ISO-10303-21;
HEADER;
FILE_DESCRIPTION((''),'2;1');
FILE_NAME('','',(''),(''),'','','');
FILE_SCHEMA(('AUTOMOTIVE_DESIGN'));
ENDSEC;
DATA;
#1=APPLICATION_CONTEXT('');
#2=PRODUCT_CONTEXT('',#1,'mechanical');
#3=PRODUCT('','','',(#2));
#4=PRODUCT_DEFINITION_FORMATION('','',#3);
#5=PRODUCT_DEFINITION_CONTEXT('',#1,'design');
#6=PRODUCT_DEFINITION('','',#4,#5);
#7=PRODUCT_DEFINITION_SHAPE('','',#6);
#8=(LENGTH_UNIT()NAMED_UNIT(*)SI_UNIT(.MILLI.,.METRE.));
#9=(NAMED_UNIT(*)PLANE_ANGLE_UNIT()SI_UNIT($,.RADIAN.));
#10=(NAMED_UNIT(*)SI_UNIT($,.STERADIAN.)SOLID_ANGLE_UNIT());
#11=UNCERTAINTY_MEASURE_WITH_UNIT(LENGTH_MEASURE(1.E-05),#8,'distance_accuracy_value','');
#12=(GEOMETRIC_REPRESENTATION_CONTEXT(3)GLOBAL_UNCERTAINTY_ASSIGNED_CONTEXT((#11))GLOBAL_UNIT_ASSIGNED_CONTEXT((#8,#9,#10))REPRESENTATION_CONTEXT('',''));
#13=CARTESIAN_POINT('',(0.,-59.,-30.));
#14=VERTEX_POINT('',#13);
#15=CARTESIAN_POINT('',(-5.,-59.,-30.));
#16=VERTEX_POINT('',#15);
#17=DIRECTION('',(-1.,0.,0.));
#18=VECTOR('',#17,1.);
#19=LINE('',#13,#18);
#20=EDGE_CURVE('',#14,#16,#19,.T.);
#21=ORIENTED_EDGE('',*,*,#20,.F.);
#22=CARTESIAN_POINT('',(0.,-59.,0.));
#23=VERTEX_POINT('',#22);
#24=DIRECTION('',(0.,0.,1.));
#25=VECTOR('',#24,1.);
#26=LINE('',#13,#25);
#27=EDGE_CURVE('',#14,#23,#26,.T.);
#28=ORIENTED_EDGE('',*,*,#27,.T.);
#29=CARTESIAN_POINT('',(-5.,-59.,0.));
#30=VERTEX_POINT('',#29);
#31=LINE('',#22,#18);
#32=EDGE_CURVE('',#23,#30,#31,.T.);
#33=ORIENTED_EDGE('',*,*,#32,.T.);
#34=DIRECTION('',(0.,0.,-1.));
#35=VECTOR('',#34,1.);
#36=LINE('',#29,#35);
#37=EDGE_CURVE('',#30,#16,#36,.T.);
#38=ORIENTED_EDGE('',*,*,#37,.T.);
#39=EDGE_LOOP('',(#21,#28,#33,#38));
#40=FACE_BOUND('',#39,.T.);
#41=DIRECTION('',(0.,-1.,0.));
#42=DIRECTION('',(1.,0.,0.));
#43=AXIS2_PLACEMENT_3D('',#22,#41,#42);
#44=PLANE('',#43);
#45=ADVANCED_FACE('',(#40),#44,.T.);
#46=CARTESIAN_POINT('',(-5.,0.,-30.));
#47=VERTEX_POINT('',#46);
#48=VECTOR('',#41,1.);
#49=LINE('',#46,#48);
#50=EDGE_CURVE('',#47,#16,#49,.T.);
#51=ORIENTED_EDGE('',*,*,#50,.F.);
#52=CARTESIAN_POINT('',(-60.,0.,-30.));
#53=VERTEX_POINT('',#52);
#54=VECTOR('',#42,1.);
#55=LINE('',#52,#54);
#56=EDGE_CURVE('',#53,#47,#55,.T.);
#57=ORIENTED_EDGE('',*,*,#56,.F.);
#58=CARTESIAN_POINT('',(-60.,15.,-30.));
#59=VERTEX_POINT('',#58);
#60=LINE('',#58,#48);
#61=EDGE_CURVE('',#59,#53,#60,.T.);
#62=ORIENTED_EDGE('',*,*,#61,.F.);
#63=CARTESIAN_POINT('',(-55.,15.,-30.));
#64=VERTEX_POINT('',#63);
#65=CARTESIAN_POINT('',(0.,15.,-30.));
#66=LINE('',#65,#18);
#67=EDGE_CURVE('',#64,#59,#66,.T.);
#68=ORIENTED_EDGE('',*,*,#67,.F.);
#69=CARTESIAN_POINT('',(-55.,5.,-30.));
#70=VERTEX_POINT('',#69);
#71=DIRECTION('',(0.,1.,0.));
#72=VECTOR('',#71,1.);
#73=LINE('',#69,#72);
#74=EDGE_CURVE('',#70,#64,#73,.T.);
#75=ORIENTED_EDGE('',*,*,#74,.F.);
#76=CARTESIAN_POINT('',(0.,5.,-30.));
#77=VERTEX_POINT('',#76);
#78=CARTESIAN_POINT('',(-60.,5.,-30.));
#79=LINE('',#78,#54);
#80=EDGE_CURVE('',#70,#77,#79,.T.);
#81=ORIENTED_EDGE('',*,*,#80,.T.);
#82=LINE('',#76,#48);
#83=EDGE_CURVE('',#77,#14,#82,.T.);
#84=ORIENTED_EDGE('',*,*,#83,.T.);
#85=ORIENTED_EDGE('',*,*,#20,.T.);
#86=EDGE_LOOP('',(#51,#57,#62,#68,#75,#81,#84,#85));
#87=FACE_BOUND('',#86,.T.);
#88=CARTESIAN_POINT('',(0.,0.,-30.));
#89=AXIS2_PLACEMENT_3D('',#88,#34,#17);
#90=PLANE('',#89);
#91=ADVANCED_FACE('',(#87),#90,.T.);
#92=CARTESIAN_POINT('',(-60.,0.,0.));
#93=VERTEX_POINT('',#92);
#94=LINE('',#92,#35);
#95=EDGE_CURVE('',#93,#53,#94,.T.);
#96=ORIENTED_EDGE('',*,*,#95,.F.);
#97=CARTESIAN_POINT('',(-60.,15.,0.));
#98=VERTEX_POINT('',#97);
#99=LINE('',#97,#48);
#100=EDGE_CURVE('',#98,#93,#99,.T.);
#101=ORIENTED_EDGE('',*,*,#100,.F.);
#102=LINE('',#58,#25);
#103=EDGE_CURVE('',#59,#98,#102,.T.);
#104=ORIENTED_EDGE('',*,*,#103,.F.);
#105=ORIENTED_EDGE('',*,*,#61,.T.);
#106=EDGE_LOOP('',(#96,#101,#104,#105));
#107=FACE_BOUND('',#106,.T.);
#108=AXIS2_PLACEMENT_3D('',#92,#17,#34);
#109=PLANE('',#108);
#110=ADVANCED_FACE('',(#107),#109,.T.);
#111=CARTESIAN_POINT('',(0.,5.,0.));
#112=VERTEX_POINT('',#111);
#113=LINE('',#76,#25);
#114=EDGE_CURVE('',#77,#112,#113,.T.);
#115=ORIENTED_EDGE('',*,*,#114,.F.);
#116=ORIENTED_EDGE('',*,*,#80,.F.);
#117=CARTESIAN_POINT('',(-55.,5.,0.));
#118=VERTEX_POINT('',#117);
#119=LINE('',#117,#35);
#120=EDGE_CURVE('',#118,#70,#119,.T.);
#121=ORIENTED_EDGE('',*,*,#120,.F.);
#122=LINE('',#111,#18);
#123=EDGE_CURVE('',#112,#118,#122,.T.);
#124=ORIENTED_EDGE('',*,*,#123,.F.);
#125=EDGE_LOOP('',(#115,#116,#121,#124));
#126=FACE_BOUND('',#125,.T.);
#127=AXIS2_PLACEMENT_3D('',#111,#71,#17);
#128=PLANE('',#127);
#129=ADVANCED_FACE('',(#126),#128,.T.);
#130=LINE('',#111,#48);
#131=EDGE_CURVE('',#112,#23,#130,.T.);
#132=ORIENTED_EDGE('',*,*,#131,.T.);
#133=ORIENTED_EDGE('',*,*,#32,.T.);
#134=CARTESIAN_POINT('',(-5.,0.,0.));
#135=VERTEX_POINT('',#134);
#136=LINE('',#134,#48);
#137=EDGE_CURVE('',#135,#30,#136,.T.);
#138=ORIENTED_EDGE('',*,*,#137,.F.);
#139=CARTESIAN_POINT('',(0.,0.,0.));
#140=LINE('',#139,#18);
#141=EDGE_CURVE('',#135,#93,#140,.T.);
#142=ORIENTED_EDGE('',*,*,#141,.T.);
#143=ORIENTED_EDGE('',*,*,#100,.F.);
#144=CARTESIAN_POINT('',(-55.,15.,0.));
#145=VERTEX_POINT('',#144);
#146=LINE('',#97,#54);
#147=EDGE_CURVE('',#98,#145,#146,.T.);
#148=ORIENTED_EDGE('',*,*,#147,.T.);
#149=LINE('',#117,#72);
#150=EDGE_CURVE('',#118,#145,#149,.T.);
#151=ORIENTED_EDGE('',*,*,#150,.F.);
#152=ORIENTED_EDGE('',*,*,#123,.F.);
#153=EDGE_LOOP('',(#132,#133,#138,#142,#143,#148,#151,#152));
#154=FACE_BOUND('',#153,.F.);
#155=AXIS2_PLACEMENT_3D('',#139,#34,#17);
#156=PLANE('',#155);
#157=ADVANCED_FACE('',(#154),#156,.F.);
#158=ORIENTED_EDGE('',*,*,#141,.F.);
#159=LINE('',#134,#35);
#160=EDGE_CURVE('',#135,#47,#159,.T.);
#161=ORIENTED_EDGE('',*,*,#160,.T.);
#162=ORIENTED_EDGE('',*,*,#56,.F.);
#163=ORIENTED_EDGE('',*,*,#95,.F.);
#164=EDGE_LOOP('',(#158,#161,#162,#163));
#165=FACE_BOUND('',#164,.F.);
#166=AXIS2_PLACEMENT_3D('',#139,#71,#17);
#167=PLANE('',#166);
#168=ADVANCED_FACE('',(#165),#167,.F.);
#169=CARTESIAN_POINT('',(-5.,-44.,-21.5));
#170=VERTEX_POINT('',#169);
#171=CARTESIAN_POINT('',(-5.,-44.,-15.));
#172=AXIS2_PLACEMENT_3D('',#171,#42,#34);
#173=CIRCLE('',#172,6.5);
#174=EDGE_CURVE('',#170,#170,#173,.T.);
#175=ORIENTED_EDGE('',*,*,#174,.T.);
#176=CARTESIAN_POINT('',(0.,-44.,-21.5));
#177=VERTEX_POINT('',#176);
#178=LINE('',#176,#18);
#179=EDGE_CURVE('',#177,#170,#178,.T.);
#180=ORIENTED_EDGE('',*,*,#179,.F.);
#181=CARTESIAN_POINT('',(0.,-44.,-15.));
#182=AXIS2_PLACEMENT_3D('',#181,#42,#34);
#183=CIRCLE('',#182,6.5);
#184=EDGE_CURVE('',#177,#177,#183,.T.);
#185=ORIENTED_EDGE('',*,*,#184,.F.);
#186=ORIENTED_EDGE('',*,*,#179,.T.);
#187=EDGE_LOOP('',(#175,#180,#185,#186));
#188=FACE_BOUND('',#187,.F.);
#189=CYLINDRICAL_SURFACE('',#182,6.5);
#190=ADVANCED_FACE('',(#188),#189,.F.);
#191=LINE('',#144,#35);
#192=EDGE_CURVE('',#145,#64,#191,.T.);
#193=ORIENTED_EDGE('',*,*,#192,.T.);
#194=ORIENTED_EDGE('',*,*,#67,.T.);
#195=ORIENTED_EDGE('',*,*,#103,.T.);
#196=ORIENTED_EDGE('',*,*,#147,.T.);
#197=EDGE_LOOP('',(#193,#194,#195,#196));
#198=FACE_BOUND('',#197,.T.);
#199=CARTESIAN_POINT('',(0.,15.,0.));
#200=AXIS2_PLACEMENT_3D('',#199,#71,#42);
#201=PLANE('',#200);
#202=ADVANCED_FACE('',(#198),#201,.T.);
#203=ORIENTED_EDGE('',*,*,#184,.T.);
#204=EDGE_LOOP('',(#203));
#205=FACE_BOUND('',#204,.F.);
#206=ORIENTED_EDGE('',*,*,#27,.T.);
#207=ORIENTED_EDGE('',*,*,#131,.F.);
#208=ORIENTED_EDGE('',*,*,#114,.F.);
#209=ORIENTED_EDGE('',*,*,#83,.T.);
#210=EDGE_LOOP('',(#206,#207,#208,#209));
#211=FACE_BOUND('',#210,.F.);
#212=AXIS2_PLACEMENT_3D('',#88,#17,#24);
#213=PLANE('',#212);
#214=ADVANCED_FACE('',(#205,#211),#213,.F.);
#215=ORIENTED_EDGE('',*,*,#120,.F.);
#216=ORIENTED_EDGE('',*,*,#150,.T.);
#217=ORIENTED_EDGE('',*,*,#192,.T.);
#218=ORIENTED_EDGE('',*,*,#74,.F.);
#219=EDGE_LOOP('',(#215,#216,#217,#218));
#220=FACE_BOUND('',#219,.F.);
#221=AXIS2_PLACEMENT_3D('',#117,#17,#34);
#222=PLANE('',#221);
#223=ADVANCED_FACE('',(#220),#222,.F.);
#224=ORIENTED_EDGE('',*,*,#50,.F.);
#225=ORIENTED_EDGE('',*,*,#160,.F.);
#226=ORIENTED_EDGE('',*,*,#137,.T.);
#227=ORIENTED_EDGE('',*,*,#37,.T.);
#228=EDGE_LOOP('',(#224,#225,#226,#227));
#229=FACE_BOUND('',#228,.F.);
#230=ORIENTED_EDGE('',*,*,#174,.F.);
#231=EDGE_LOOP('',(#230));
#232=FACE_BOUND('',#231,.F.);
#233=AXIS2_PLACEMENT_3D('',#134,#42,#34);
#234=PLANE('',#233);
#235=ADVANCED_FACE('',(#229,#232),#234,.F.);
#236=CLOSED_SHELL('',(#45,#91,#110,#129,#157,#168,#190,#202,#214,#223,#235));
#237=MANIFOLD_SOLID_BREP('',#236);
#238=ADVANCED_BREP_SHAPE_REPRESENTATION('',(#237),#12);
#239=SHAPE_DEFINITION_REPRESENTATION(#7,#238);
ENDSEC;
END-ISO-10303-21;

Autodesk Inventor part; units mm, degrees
ref_plane "YZ Plane" through (0, 0, 0) normal (1, 0, 0) x (0, 1, 0)
ref_plane "XZ Plane" through (0, 0, 0) normal (0, 1, 0) x (-1, 0, 0)
ref_plane "XY Plane" through (0, 0, 0) normal (0, 0, 1) x (1, 0, 0)
sketch "Sketch1" plane through (0, 0, 0) normal (0, 1, 0) x (-1, 0, 0)
  line L0 (0, 0) -> (60, 0)
  line L1 (60, 0) -> (60, -30)
  line L2 (60, -30) -> (0, -30)
  line L3 (0, -30) -> (0, 0)
  dimension "d0" = 60
  dimension "d1" = 30
extrude "Extrusion1" add sketch "Sketch1" along normal blind 5
sketch "Sketch2" plane through (0, 5, 0) normal (0, 1, 0) x (1, 0, 0)
  line L0 (-60, 30) -> (-60, 0) projected
  line L1 (0, 30) -> (-60, 30) projected
  line L2 (-60, 0) -> (-55, 0)
  line L3 (-55, 0) -> (-55, 30)
  line L4 (-55, 30) -> (-60, 30)
  line L5 (-60, 30) -> (-60, 0)
  point P0 (0, 0)
  dimension "d4" = 5
extrude "Extrusion2" add sketch "Sketch2" along normal blind 10
sketch "Sketch3" plane through (0, 0, 0) normal (0, -1, 0) x (1, 0, 0)
  line L0 (0, -30) -> (-60, -30) projected
  line L1 (0, 0) -> (-5, 0)
  line L2 (-5, 0) -> (-5, -30)
  line L3 (-5, -30) -> (0, -30)
  line L4 (0, -30) -> (0, 0)
  dimension "d7" = 5
extrude "Extrusion3" add sketch "Sketch3" along normal blind 59
sketch "Sketch4" plane through (0, 5, 0) normal (1, 0, 0) x (0, 0, -1)
  line L0 (0, -64) -> (30, -64) projected
  circle A0 centre (15, -49) radius 6.5
  point P0 (0, -5)
  dimension "d11" = 13
extrude "Extrusion4" cut sketch "Sketch4" against normal up to surface (5 mm away)
properties part number "Bracket_Support_2"
